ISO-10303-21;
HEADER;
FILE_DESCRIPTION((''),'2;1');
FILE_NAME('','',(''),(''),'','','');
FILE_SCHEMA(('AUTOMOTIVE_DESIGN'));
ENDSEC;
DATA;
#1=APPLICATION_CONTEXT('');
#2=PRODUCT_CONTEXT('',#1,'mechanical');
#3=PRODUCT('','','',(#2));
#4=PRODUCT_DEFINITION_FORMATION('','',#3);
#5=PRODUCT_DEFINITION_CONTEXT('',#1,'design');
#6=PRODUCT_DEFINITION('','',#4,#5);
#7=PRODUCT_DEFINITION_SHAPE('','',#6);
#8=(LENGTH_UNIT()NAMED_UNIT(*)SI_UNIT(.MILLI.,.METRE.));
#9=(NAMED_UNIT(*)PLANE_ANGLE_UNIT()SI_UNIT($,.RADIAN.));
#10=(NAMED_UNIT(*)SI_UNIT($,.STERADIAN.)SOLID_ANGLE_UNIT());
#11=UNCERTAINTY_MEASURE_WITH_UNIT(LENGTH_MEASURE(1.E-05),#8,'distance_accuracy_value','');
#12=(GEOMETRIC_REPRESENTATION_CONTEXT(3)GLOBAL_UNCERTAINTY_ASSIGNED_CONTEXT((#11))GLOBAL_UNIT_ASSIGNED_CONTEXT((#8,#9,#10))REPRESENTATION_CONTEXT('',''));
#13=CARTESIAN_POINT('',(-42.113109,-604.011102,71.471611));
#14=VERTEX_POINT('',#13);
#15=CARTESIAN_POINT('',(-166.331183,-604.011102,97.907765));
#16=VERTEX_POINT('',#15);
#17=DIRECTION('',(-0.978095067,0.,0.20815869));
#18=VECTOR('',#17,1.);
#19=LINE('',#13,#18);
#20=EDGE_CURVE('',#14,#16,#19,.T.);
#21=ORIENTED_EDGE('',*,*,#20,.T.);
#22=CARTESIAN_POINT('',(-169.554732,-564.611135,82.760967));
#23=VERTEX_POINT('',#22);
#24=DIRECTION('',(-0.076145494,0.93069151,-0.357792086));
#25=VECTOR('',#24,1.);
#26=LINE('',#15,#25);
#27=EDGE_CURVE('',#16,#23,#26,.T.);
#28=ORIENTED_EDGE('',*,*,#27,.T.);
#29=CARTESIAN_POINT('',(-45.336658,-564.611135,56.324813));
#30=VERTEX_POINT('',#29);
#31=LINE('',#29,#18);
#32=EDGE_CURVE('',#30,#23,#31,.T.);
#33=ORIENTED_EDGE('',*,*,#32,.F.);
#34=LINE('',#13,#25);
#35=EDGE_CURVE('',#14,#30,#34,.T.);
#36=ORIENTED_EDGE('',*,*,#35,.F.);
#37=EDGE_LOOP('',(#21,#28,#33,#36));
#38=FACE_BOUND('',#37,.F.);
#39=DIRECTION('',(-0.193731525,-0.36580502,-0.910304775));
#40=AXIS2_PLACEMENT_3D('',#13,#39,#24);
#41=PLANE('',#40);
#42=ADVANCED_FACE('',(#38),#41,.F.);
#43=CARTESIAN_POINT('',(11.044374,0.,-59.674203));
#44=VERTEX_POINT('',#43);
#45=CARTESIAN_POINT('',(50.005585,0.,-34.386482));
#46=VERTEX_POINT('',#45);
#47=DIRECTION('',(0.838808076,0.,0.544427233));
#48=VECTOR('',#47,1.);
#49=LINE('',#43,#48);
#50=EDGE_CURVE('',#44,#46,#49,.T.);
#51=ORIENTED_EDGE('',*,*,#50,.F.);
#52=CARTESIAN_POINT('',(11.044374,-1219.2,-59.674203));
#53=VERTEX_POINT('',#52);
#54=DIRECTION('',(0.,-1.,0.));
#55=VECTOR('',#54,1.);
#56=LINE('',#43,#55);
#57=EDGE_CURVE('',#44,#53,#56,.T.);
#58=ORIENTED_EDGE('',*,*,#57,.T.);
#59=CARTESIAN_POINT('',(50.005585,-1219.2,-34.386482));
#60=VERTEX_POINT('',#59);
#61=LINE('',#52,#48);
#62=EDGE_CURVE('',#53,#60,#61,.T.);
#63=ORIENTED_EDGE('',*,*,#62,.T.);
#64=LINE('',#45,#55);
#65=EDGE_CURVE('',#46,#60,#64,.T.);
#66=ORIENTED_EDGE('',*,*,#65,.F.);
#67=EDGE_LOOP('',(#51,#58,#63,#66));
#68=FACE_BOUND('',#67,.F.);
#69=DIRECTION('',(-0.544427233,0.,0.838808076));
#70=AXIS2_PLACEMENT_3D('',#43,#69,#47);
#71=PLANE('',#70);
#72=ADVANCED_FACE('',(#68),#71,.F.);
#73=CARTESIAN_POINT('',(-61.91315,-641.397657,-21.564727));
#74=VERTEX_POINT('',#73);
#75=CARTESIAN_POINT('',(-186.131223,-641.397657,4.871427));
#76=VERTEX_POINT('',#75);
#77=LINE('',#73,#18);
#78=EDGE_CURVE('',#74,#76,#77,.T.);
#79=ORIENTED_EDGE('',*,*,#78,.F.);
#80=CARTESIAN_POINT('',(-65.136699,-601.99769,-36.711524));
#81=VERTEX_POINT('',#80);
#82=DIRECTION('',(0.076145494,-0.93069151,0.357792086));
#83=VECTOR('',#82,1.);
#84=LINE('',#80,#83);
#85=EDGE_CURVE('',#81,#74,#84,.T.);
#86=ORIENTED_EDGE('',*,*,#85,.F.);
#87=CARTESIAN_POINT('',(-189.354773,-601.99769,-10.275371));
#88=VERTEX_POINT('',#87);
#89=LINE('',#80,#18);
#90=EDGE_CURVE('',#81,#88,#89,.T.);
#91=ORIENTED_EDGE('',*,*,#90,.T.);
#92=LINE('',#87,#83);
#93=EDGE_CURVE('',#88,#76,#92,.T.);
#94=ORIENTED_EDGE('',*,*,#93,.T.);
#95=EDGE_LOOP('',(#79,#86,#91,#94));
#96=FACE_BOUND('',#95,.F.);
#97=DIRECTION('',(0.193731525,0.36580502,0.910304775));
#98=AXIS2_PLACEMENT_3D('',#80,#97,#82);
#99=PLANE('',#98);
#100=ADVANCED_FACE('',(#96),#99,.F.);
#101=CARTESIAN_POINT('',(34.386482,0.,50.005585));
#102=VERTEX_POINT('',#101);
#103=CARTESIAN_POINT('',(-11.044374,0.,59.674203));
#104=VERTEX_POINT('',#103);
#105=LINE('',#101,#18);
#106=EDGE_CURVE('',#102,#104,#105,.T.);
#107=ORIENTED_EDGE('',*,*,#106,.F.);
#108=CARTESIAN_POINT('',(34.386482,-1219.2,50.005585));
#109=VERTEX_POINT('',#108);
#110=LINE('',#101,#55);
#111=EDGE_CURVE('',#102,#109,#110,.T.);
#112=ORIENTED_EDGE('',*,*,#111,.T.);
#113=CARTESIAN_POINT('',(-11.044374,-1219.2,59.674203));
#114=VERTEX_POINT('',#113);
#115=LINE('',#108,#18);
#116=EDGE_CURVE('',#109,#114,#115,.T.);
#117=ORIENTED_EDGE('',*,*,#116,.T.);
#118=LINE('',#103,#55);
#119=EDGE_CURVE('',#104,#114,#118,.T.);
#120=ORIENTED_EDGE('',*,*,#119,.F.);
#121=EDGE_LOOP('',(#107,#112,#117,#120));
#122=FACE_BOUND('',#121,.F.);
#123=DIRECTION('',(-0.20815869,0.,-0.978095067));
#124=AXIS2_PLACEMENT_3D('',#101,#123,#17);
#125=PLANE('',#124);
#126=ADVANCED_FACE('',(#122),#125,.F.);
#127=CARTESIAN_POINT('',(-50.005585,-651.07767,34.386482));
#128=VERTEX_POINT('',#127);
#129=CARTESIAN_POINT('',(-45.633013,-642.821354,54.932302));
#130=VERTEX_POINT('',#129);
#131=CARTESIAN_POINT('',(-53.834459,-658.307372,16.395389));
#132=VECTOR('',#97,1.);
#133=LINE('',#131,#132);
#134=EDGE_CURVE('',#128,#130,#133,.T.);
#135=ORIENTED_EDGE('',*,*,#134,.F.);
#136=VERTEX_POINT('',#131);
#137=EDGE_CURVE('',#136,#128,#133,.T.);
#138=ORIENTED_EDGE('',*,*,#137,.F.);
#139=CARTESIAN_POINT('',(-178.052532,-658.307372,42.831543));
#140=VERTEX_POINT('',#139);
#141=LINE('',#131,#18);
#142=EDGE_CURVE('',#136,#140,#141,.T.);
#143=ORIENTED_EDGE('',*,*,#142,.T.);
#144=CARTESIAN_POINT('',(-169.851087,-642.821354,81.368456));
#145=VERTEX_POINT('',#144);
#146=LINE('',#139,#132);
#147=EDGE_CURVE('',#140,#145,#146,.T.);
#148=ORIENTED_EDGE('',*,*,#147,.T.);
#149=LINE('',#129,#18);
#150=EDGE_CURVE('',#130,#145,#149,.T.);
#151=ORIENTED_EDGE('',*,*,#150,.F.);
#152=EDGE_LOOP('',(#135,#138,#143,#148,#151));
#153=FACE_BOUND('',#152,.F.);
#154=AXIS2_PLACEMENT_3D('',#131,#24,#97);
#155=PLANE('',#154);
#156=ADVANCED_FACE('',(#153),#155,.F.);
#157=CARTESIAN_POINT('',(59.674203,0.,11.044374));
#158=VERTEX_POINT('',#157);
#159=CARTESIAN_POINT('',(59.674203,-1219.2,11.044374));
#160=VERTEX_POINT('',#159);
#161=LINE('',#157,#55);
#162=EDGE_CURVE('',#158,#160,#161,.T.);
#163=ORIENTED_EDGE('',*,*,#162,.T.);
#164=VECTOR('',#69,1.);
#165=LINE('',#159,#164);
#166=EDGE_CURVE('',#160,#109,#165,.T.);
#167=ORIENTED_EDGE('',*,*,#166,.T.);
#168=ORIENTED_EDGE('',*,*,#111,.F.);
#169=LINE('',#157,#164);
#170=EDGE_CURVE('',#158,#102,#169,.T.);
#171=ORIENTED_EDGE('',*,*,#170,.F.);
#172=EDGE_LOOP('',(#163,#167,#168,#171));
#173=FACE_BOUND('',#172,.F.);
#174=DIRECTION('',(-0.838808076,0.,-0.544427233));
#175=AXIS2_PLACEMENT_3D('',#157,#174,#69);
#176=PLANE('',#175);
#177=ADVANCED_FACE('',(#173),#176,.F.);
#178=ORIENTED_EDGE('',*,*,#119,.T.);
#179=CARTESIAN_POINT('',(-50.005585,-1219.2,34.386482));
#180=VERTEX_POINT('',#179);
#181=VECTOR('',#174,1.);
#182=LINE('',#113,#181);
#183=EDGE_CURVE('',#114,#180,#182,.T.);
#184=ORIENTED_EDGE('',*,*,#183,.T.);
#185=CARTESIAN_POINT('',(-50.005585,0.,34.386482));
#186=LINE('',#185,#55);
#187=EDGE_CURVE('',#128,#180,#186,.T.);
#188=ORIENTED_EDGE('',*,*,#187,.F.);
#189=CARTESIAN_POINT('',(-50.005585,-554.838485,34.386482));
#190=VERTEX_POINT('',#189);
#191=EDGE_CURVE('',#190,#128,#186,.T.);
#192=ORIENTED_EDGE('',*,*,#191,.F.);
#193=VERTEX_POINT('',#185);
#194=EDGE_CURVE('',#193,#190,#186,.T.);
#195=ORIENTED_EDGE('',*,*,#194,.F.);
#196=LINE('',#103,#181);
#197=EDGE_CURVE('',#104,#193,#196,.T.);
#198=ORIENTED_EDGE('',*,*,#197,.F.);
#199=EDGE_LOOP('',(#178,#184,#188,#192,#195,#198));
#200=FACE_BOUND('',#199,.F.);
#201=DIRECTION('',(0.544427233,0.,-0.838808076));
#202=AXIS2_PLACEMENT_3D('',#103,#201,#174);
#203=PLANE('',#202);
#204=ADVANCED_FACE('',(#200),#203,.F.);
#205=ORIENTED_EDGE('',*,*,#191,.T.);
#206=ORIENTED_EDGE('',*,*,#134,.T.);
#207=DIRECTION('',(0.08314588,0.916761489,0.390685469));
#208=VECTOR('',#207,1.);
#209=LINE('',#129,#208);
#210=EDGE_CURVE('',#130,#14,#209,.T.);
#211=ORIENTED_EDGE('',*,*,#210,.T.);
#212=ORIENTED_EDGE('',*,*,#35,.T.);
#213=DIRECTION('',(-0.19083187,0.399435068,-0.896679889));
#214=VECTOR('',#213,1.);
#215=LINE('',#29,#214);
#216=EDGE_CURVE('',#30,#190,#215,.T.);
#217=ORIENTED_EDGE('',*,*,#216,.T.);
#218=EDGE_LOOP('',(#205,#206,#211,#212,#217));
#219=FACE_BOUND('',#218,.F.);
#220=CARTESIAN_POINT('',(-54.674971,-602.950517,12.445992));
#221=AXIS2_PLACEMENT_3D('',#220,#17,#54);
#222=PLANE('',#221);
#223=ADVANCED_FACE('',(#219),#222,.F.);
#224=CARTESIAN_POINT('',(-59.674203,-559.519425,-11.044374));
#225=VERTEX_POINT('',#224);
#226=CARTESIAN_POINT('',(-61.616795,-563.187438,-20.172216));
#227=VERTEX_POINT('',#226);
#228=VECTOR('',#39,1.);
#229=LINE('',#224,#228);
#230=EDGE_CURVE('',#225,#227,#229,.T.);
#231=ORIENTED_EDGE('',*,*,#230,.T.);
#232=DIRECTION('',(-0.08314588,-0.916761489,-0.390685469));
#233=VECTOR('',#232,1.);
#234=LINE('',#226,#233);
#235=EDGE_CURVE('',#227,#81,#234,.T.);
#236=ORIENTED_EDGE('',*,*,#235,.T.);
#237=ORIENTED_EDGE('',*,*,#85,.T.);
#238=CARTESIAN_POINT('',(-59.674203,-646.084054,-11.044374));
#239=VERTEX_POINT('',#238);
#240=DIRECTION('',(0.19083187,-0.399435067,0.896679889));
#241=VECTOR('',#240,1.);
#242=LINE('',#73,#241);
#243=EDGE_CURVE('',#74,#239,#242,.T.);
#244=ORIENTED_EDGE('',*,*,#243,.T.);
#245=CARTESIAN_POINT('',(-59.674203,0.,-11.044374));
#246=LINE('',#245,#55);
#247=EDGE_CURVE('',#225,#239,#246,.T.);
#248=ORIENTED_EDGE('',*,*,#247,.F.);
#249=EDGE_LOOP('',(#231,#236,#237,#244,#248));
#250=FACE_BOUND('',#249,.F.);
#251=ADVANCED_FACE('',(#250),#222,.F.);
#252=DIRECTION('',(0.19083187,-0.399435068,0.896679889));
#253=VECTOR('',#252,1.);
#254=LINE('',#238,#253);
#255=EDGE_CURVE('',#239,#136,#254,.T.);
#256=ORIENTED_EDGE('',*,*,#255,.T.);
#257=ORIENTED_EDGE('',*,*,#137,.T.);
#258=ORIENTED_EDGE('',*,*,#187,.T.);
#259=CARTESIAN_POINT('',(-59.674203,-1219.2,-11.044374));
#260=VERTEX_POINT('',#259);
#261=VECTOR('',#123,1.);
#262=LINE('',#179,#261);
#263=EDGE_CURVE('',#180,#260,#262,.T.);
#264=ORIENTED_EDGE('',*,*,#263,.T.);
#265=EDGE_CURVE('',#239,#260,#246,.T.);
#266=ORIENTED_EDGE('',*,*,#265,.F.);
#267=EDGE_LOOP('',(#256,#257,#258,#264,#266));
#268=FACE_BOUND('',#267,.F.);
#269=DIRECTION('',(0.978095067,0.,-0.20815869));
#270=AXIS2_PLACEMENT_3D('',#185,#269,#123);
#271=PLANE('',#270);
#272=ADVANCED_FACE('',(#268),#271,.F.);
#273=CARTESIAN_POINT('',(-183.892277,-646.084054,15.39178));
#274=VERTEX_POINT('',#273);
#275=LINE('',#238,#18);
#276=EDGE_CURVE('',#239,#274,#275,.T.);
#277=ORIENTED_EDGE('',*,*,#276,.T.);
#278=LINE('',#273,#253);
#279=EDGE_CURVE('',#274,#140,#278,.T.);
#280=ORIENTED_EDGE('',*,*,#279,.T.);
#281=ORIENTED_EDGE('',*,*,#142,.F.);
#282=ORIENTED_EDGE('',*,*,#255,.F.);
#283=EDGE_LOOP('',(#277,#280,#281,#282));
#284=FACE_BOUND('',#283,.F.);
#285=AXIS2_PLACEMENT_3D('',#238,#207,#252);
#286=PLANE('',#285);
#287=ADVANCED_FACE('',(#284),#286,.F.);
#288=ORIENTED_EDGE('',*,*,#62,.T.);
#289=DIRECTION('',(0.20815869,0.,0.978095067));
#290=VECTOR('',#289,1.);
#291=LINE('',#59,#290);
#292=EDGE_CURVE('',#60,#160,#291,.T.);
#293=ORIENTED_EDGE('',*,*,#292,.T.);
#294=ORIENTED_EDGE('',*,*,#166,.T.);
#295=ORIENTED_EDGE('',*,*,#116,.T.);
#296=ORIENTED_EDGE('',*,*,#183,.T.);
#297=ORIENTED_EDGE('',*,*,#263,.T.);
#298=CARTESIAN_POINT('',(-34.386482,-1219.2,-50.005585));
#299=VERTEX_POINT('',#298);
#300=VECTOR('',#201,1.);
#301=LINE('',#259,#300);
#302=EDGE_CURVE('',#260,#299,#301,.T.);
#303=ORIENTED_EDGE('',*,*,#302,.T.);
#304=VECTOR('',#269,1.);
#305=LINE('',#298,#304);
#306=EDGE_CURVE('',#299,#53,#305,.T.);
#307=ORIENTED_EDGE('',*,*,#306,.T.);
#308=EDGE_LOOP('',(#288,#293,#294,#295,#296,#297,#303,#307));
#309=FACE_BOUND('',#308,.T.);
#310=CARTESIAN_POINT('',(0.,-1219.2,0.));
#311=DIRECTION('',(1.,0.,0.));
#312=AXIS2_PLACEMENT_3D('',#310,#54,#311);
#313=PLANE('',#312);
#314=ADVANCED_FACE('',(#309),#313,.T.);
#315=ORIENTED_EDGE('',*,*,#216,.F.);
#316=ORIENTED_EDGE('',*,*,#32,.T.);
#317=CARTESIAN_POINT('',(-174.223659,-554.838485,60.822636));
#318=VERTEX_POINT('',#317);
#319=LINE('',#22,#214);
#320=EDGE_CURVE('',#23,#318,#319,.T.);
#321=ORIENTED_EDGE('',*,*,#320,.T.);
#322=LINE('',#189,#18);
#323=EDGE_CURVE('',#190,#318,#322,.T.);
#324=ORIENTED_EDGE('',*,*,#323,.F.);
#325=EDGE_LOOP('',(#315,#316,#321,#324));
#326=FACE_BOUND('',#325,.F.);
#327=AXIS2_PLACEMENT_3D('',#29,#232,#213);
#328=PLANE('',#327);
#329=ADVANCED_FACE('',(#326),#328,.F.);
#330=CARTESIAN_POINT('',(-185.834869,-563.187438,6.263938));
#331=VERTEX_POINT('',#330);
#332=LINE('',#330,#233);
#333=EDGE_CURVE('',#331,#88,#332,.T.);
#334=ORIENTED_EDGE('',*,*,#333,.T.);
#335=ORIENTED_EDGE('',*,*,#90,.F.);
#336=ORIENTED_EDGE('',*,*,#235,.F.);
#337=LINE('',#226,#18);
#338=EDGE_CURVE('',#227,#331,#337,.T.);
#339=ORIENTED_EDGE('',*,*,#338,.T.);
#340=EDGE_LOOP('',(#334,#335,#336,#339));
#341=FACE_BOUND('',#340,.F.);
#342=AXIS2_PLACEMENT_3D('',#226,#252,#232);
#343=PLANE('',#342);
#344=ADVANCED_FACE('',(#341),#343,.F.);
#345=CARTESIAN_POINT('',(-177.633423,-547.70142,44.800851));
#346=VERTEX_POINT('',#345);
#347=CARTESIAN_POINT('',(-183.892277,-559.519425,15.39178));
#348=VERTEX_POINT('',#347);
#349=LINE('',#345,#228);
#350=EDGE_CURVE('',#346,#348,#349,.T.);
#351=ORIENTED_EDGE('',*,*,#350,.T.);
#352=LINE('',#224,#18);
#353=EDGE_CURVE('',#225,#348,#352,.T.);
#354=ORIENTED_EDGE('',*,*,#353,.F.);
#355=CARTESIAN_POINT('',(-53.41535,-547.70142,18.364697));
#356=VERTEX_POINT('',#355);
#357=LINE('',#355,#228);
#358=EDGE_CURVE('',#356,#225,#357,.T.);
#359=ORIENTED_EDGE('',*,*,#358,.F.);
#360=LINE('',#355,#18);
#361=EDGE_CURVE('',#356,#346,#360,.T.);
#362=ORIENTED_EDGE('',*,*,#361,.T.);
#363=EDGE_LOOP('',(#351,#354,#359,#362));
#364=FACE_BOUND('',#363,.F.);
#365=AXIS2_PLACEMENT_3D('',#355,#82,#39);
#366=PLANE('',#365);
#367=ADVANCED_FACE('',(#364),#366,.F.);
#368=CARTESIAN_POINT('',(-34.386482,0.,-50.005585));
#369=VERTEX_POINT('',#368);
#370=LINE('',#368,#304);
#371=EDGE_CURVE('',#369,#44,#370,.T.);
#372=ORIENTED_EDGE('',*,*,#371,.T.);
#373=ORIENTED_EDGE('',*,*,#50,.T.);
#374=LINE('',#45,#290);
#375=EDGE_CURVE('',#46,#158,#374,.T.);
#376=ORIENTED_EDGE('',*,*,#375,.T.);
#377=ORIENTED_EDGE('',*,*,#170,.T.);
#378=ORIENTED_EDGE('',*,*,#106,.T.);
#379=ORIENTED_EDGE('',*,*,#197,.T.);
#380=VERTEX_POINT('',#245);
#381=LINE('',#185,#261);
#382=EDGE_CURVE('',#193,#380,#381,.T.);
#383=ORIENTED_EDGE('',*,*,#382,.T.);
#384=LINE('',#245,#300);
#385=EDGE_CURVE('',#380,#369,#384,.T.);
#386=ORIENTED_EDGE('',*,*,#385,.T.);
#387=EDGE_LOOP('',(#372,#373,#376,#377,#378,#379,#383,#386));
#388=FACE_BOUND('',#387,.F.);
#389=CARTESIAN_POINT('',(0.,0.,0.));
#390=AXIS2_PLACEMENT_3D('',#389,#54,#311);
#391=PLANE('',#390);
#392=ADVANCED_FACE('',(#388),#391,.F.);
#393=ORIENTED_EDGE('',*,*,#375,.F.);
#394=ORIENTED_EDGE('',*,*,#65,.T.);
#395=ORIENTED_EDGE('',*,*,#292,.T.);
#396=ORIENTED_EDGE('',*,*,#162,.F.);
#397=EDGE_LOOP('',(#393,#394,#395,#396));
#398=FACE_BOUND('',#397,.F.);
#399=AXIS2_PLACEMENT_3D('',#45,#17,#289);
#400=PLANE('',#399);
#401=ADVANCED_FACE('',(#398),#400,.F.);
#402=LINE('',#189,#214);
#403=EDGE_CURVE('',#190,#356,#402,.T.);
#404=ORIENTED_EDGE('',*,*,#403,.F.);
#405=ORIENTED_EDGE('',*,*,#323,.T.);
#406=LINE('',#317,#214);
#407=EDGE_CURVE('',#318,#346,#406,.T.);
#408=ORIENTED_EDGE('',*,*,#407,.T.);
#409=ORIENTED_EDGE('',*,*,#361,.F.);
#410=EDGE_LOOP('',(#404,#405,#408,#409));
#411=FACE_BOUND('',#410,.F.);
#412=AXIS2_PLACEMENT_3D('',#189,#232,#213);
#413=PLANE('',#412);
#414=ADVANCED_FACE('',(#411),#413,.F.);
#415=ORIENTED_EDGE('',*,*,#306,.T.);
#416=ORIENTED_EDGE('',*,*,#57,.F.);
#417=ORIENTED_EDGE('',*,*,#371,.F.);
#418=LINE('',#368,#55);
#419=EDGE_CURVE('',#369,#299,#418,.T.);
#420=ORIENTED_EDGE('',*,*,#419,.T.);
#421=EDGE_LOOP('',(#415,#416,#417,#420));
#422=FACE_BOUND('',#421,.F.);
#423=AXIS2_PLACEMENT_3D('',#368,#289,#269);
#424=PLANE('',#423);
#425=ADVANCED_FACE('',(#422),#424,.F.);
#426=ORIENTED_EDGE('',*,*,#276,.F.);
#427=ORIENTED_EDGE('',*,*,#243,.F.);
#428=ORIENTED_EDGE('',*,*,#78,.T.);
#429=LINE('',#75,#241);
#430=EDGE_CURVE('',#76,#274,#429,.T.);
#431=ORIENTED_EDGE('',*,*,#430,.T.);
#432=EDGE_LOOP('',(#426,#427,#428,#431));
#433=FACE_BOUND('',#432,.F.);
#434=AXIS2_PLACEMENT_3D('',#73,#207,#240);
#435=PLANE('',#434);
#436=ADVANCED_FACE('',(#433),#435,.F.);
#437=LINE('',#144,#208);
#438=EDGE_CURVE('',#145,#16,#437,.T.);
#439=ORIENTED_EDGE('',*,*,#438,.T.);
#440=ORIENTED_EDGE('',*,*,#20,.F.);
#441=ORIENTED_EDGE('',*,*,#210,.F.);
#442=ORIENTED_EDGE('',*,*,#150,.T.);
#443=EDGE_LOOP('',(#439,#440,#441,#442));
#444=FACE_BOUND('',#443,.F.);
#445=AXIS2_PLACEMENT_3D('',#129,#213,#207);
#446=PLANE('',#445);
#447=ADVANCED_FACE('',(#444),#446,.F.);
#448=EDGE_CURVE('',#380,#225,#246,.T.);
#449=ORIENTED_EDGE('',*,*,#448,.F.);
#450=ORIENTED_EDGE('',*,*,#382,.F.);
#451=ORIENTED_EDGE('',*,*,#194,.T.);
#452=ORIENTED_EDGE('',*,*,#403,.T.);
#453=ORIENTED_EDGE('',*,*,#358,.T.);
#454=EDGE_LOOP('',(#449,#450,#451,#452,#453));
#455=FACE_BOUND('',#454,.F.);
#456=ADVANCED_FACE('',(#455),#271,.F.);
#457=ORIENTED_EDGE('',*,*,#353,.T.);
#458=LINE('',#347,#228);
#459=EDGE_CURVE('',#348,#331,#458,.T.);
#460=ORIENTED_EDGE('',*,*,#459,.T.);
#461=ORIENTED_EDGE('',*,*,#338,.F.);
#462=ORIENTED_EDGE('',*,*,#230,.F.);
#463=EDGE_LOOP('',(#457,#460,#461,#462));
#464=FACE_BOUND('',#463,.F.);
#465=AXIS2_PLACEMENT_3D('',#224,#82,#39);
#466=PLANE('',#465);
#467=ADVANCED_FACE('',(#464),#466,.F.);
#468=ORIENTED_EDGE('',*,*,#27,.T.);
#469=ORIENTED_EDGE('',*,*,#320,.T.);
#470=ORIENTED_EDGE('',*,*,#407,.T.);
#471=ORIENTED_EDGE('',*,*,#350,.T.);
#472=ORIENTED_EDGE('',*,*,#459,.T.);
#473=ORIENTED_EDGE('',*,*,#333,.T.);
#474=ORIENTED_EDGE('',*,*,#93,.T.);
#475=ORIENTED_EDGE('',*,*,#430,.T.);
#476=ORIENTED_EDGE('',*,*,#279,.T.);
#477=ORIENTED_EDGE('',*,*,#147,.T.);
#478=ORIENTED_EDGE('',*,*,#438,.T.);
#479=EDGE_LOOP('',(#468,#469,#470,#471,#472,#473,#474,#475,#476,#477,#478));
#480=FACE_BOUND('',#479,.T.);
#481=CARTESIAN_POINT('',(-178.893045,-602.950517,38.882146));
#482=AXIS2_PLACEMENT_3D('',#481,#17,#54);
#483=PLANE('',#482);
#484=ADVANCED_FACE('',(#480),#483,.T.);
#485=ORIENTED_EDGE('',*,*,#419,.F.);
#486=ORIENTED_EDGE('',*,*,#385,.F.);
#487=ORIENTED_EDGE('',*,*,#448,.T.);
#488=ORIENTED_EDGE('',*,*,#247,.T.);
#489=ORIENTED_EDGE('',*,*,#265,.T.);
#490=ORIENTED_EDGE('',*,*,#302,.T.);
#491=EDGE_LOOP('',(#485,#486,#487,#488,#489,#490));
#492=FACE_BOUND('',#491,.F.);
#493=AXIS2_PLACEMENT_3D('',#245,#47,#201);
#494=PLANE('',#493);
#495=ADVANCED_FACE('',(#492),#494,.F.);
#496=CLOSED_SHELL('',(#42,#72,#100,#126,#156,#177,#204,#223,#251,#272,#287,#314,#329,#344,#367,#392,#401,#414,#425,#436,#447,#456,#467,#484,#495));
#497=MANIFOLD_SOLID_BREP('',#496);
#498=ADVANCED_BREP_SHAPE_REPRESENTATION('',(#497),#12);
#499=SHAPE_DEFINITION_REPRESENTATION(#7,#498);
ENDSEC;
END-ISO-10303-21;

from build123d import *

# Parameters (mm, degrees)
F1_DEPTH = 1219.2
F3_DEPTH = 127


with BuildPart() as f1:
    # F0 (on Front) → F1 (new body)
    with BuildSketch(Plane.XZ):
        Polygon((-50.0055852482, 34.3864821036), (-59.6742031028, -11.0443737496), (-34.3864821036, -50.0055852482), (11.0443737496, -59.6742031028), (50.0055852482, -34.3864821036), (59.6742031028, 11.0443737496), (34.3864821036, 50.0055852482), (-11.0443737496, 59.6742031028), align=None)
    extrude(amount=F1_DEPTH)

    # F2 (on face) → F3 (join)
    with BuildSketch(Plane(origin=(-54.8398941755, 0, 11.671054177), x_dir=(0, -1, 0), z_dir=(-0.9780950669, 0, 0.2081586897))):
        Polygon((646.0840535932, -23.2241514095), (658.3073718283, 4.8301390912), (651.0776700658, 23.2241514095), (554.8384851013, 23.2241514095), (547.7014200952, 6.8435507287), (559.5194245296, -23.2241514095), align=None)
        Polygon((554.8384851013, 23.2241514095), (651.0776700658, 23.2241514095), (642.8213537279, 44.2301056538), (604.0111017805, 61.1398207765), (564.6111352179, 45.6538026761), align=None)
        Polygon((641.3976567057, -33.9801128562), (646.0840535932, -23.2241514095), (559.5194245296, -23.2241514095), (563.1874381956, -32.556415834), (601.997690143, -49.4661309566), align=None)
    extrude(amount=F3_DEPTH)


solid = f1.part
